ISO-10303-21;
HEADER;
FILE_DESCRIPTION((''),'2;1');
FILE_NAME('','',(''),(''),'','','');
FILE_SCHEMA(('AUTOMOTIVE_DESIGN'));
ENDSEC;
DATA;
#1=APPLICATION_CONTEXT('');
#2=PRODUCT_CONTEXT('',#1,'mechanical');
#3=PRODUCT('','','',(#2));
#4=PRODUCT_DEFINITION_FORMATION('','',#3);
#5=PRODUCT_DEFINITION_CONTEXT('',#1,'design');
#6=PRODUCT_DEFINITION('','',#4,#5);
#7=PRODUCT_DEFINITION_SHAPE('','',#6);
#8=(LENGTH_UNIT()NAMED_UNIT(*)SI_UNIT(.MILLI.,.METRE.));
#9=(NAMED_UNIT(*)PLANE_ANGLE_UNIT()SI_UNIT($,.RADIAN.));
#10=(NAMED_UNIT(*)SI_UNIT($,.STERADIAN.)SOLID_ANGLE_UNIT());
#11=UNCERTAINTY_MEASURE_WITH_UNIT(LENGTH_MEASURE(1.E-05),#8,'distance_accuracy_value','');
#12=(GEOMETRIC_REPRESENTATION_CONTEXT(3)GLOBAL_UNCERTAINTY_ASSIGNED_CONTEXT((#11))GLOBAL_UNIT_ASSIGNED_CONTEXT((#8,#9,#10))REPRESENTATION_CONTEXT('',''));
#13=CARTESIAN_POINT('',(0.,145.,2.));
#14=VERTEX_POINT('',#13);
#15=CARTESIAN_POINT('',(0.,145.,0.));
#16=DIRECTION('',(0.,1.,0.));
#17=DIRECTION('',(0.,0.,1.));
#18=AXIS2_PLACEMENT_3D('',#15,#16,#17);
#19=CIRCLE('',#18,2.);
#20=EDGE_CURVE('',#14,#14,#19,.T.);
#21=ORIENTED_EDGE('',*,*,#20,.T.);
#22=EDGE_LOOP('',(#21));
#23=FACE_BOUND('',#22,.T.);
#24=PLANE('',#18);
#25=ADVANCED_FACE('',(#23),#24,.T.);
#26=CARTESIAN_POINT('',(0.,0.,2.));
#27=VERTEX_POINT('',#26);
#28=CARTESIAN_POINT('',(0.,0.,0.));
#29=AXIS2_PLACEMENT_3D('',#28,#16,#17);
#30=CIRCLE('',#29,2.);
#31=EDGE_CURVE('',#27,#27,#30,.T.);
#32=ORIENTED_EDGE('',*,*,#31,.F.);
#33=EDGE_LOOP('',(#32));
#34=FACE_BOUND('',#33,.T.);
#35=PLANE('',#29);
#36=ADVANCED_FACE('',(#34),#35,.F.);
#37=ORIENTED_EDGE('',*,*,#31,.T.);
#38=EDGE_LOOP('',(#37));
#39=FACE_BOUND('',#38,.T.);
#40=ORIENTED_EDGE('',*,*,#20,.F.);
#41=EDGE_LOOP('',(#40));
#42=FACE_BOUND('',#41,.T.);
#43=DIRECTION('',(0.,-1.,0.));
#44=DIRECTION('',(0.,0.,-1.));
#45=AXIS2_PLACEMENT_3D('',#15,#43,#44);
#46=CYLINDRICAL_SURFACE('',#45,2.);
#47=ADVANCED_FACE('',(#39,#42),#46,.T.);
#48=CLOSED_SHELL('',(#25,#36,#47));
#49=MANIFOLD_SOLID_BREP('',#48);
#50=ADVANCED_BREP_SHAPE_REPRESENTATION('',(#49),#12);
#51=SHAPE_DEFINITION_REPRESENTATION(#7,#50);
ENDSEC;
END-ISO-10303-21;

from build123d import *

# Parameters (mm, degrees)
SKETCH_1_R      = 2
EXTRUDE_1_DEPTH = 145


with BuildPart() as part:
    # 草图1 → 凸台-拉伸1 (new body)
    with BuildSketch(Plane(origin=(0, 0, 0), x_dir=(1, 0, 0), z_dir=(0, 1, 0))):
        with Locations(Location((0, 0, 0), (0, 0, 270))):
            Circle(SKETCH_1_R)
    extrude(amount=EXTRUDE_1_DEPTH)


solid = part.part
